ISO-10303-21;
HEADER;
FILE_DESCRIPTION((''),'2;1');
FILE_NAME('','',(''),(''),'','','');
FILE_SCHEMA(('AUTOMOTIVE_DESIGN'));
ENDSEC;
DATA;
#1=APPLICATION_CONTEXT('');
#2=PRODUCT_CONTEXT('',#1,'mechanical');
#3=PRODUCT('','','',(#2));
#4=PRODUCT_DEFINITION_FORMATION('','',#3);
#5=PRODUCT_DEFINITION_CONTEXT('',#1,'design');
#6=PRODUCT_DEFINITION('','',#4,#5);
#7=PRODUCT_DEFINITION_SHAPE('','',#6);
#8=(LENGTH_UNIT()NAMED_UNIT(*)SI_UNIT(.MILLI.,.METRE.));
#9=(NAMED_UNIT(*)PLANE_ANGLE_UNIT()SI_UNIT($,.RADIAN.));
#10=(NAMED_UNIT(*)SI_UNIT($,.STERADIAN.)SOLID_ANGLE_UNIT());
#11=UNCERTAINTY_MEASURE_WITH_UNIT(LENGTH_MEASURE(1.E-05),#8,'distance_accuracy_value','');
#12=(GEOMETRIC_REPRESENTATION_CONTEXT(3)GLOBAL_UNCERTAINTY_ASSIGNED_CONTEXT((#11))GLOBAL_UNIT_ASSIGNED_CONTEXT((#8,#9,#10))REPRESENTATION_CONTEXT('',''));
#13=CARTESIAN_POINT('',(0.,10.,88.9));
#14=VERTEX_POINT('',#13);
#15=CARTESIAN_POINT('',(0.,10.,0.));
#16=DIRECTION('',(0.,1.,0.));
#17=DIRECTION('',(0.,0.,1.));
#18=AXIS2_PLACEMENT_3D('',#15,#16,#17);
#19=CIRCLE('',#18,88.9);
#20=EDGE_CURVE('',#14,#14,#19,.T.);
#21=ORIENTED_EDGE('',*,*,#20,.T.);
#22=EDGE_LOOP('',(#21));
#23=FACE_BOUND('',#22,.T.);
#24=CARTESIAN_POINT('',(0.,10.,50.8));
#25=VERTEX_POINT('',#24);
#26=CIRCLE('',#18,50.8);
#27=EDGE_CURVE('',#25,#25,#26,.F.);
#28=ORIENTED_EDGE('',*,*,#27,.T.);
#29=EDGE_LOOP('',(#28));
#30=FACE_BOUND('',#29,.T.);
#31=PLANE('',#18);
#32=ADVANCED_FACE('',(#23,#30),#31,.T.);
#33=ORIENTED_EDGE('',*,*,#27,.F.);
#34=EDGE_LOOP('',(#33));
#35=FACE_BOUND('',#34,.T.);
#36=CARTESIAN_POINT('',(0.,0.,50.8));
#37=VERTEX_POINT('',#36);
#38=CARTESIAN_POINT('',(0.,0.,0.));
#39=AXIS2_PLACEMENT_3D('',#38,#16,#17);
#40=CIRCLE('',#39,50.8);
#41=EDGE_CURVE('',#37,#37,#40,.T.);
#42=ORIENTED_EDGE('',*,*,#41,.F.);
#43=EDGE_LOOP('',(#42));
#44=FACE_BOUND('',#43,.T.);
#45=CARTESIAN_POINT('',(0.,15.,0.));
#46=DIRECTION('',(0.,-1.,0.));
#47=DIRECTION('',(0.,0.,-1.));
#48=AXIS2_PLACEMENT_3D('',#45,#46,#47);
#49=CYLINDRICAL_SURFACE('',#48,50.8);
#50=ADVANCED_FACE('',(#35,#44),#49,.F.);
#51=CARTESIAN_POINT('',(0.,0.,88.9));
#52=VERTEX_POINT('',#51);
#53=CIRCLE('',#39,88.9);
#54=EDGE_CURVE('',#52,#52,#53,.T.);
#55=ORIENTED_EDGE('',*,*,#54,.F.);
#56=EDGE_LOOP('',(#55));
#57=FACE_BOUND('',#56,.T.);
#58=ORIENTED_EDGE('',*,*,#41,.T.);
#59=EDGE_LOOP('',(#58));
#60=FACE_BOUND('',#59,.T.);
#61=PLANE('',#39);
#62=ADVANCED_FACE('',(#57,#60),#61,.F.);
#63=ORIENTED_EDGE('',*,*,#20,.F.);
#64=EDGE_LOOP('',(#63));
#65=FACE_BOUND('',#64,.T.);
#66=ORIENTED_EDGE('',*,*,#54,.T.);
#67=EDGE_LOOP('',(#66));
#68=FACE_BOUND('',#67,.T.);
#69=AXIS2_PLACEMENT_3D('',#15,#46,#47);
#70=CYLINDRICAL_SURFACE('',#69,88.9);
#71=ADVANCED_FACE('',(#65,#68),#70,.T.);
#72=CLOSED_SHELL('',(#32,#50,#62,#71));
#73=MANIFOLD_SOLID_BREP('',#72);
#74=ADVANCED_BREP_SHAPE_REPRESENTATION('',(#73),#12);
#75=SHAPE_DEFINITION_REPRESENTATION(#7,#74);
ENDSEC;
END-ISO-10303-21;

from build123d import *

# Parameters (mm, degrees)
SKETCH2_R           = 88.9
BOSS_EXTRUDE1_DEPTH = 10
SKETCH4_R           = 50.8
CUT_EXTRUDE1_DEPTH  = 15


with BuildPart() as part:
    # Sketch2 → Boss-Extrude1 (new body)
    with BuildSketch(Plane(origin=(0, 0, 0), x_dir=(1, 0, 0), z_dir=(0, 1, 0))):
        Circle(SKETCH2_R)
    extrude(amount=BOSS_EXTRUDE1_DEPTH)

    # Sketch4 → Cut-Extrude1 (cut)
    with BuildSketch(Plane(origin=(0, 0, 0), x_dir=(1, 0, 0), z_dir=(0, 1, 0))):
        Circle(SKETCH4_R)
    extrude(amount=CUT_EXTRUDE1_DEPTH, mode=Mode.SUBTRACT)


solid = part.part
